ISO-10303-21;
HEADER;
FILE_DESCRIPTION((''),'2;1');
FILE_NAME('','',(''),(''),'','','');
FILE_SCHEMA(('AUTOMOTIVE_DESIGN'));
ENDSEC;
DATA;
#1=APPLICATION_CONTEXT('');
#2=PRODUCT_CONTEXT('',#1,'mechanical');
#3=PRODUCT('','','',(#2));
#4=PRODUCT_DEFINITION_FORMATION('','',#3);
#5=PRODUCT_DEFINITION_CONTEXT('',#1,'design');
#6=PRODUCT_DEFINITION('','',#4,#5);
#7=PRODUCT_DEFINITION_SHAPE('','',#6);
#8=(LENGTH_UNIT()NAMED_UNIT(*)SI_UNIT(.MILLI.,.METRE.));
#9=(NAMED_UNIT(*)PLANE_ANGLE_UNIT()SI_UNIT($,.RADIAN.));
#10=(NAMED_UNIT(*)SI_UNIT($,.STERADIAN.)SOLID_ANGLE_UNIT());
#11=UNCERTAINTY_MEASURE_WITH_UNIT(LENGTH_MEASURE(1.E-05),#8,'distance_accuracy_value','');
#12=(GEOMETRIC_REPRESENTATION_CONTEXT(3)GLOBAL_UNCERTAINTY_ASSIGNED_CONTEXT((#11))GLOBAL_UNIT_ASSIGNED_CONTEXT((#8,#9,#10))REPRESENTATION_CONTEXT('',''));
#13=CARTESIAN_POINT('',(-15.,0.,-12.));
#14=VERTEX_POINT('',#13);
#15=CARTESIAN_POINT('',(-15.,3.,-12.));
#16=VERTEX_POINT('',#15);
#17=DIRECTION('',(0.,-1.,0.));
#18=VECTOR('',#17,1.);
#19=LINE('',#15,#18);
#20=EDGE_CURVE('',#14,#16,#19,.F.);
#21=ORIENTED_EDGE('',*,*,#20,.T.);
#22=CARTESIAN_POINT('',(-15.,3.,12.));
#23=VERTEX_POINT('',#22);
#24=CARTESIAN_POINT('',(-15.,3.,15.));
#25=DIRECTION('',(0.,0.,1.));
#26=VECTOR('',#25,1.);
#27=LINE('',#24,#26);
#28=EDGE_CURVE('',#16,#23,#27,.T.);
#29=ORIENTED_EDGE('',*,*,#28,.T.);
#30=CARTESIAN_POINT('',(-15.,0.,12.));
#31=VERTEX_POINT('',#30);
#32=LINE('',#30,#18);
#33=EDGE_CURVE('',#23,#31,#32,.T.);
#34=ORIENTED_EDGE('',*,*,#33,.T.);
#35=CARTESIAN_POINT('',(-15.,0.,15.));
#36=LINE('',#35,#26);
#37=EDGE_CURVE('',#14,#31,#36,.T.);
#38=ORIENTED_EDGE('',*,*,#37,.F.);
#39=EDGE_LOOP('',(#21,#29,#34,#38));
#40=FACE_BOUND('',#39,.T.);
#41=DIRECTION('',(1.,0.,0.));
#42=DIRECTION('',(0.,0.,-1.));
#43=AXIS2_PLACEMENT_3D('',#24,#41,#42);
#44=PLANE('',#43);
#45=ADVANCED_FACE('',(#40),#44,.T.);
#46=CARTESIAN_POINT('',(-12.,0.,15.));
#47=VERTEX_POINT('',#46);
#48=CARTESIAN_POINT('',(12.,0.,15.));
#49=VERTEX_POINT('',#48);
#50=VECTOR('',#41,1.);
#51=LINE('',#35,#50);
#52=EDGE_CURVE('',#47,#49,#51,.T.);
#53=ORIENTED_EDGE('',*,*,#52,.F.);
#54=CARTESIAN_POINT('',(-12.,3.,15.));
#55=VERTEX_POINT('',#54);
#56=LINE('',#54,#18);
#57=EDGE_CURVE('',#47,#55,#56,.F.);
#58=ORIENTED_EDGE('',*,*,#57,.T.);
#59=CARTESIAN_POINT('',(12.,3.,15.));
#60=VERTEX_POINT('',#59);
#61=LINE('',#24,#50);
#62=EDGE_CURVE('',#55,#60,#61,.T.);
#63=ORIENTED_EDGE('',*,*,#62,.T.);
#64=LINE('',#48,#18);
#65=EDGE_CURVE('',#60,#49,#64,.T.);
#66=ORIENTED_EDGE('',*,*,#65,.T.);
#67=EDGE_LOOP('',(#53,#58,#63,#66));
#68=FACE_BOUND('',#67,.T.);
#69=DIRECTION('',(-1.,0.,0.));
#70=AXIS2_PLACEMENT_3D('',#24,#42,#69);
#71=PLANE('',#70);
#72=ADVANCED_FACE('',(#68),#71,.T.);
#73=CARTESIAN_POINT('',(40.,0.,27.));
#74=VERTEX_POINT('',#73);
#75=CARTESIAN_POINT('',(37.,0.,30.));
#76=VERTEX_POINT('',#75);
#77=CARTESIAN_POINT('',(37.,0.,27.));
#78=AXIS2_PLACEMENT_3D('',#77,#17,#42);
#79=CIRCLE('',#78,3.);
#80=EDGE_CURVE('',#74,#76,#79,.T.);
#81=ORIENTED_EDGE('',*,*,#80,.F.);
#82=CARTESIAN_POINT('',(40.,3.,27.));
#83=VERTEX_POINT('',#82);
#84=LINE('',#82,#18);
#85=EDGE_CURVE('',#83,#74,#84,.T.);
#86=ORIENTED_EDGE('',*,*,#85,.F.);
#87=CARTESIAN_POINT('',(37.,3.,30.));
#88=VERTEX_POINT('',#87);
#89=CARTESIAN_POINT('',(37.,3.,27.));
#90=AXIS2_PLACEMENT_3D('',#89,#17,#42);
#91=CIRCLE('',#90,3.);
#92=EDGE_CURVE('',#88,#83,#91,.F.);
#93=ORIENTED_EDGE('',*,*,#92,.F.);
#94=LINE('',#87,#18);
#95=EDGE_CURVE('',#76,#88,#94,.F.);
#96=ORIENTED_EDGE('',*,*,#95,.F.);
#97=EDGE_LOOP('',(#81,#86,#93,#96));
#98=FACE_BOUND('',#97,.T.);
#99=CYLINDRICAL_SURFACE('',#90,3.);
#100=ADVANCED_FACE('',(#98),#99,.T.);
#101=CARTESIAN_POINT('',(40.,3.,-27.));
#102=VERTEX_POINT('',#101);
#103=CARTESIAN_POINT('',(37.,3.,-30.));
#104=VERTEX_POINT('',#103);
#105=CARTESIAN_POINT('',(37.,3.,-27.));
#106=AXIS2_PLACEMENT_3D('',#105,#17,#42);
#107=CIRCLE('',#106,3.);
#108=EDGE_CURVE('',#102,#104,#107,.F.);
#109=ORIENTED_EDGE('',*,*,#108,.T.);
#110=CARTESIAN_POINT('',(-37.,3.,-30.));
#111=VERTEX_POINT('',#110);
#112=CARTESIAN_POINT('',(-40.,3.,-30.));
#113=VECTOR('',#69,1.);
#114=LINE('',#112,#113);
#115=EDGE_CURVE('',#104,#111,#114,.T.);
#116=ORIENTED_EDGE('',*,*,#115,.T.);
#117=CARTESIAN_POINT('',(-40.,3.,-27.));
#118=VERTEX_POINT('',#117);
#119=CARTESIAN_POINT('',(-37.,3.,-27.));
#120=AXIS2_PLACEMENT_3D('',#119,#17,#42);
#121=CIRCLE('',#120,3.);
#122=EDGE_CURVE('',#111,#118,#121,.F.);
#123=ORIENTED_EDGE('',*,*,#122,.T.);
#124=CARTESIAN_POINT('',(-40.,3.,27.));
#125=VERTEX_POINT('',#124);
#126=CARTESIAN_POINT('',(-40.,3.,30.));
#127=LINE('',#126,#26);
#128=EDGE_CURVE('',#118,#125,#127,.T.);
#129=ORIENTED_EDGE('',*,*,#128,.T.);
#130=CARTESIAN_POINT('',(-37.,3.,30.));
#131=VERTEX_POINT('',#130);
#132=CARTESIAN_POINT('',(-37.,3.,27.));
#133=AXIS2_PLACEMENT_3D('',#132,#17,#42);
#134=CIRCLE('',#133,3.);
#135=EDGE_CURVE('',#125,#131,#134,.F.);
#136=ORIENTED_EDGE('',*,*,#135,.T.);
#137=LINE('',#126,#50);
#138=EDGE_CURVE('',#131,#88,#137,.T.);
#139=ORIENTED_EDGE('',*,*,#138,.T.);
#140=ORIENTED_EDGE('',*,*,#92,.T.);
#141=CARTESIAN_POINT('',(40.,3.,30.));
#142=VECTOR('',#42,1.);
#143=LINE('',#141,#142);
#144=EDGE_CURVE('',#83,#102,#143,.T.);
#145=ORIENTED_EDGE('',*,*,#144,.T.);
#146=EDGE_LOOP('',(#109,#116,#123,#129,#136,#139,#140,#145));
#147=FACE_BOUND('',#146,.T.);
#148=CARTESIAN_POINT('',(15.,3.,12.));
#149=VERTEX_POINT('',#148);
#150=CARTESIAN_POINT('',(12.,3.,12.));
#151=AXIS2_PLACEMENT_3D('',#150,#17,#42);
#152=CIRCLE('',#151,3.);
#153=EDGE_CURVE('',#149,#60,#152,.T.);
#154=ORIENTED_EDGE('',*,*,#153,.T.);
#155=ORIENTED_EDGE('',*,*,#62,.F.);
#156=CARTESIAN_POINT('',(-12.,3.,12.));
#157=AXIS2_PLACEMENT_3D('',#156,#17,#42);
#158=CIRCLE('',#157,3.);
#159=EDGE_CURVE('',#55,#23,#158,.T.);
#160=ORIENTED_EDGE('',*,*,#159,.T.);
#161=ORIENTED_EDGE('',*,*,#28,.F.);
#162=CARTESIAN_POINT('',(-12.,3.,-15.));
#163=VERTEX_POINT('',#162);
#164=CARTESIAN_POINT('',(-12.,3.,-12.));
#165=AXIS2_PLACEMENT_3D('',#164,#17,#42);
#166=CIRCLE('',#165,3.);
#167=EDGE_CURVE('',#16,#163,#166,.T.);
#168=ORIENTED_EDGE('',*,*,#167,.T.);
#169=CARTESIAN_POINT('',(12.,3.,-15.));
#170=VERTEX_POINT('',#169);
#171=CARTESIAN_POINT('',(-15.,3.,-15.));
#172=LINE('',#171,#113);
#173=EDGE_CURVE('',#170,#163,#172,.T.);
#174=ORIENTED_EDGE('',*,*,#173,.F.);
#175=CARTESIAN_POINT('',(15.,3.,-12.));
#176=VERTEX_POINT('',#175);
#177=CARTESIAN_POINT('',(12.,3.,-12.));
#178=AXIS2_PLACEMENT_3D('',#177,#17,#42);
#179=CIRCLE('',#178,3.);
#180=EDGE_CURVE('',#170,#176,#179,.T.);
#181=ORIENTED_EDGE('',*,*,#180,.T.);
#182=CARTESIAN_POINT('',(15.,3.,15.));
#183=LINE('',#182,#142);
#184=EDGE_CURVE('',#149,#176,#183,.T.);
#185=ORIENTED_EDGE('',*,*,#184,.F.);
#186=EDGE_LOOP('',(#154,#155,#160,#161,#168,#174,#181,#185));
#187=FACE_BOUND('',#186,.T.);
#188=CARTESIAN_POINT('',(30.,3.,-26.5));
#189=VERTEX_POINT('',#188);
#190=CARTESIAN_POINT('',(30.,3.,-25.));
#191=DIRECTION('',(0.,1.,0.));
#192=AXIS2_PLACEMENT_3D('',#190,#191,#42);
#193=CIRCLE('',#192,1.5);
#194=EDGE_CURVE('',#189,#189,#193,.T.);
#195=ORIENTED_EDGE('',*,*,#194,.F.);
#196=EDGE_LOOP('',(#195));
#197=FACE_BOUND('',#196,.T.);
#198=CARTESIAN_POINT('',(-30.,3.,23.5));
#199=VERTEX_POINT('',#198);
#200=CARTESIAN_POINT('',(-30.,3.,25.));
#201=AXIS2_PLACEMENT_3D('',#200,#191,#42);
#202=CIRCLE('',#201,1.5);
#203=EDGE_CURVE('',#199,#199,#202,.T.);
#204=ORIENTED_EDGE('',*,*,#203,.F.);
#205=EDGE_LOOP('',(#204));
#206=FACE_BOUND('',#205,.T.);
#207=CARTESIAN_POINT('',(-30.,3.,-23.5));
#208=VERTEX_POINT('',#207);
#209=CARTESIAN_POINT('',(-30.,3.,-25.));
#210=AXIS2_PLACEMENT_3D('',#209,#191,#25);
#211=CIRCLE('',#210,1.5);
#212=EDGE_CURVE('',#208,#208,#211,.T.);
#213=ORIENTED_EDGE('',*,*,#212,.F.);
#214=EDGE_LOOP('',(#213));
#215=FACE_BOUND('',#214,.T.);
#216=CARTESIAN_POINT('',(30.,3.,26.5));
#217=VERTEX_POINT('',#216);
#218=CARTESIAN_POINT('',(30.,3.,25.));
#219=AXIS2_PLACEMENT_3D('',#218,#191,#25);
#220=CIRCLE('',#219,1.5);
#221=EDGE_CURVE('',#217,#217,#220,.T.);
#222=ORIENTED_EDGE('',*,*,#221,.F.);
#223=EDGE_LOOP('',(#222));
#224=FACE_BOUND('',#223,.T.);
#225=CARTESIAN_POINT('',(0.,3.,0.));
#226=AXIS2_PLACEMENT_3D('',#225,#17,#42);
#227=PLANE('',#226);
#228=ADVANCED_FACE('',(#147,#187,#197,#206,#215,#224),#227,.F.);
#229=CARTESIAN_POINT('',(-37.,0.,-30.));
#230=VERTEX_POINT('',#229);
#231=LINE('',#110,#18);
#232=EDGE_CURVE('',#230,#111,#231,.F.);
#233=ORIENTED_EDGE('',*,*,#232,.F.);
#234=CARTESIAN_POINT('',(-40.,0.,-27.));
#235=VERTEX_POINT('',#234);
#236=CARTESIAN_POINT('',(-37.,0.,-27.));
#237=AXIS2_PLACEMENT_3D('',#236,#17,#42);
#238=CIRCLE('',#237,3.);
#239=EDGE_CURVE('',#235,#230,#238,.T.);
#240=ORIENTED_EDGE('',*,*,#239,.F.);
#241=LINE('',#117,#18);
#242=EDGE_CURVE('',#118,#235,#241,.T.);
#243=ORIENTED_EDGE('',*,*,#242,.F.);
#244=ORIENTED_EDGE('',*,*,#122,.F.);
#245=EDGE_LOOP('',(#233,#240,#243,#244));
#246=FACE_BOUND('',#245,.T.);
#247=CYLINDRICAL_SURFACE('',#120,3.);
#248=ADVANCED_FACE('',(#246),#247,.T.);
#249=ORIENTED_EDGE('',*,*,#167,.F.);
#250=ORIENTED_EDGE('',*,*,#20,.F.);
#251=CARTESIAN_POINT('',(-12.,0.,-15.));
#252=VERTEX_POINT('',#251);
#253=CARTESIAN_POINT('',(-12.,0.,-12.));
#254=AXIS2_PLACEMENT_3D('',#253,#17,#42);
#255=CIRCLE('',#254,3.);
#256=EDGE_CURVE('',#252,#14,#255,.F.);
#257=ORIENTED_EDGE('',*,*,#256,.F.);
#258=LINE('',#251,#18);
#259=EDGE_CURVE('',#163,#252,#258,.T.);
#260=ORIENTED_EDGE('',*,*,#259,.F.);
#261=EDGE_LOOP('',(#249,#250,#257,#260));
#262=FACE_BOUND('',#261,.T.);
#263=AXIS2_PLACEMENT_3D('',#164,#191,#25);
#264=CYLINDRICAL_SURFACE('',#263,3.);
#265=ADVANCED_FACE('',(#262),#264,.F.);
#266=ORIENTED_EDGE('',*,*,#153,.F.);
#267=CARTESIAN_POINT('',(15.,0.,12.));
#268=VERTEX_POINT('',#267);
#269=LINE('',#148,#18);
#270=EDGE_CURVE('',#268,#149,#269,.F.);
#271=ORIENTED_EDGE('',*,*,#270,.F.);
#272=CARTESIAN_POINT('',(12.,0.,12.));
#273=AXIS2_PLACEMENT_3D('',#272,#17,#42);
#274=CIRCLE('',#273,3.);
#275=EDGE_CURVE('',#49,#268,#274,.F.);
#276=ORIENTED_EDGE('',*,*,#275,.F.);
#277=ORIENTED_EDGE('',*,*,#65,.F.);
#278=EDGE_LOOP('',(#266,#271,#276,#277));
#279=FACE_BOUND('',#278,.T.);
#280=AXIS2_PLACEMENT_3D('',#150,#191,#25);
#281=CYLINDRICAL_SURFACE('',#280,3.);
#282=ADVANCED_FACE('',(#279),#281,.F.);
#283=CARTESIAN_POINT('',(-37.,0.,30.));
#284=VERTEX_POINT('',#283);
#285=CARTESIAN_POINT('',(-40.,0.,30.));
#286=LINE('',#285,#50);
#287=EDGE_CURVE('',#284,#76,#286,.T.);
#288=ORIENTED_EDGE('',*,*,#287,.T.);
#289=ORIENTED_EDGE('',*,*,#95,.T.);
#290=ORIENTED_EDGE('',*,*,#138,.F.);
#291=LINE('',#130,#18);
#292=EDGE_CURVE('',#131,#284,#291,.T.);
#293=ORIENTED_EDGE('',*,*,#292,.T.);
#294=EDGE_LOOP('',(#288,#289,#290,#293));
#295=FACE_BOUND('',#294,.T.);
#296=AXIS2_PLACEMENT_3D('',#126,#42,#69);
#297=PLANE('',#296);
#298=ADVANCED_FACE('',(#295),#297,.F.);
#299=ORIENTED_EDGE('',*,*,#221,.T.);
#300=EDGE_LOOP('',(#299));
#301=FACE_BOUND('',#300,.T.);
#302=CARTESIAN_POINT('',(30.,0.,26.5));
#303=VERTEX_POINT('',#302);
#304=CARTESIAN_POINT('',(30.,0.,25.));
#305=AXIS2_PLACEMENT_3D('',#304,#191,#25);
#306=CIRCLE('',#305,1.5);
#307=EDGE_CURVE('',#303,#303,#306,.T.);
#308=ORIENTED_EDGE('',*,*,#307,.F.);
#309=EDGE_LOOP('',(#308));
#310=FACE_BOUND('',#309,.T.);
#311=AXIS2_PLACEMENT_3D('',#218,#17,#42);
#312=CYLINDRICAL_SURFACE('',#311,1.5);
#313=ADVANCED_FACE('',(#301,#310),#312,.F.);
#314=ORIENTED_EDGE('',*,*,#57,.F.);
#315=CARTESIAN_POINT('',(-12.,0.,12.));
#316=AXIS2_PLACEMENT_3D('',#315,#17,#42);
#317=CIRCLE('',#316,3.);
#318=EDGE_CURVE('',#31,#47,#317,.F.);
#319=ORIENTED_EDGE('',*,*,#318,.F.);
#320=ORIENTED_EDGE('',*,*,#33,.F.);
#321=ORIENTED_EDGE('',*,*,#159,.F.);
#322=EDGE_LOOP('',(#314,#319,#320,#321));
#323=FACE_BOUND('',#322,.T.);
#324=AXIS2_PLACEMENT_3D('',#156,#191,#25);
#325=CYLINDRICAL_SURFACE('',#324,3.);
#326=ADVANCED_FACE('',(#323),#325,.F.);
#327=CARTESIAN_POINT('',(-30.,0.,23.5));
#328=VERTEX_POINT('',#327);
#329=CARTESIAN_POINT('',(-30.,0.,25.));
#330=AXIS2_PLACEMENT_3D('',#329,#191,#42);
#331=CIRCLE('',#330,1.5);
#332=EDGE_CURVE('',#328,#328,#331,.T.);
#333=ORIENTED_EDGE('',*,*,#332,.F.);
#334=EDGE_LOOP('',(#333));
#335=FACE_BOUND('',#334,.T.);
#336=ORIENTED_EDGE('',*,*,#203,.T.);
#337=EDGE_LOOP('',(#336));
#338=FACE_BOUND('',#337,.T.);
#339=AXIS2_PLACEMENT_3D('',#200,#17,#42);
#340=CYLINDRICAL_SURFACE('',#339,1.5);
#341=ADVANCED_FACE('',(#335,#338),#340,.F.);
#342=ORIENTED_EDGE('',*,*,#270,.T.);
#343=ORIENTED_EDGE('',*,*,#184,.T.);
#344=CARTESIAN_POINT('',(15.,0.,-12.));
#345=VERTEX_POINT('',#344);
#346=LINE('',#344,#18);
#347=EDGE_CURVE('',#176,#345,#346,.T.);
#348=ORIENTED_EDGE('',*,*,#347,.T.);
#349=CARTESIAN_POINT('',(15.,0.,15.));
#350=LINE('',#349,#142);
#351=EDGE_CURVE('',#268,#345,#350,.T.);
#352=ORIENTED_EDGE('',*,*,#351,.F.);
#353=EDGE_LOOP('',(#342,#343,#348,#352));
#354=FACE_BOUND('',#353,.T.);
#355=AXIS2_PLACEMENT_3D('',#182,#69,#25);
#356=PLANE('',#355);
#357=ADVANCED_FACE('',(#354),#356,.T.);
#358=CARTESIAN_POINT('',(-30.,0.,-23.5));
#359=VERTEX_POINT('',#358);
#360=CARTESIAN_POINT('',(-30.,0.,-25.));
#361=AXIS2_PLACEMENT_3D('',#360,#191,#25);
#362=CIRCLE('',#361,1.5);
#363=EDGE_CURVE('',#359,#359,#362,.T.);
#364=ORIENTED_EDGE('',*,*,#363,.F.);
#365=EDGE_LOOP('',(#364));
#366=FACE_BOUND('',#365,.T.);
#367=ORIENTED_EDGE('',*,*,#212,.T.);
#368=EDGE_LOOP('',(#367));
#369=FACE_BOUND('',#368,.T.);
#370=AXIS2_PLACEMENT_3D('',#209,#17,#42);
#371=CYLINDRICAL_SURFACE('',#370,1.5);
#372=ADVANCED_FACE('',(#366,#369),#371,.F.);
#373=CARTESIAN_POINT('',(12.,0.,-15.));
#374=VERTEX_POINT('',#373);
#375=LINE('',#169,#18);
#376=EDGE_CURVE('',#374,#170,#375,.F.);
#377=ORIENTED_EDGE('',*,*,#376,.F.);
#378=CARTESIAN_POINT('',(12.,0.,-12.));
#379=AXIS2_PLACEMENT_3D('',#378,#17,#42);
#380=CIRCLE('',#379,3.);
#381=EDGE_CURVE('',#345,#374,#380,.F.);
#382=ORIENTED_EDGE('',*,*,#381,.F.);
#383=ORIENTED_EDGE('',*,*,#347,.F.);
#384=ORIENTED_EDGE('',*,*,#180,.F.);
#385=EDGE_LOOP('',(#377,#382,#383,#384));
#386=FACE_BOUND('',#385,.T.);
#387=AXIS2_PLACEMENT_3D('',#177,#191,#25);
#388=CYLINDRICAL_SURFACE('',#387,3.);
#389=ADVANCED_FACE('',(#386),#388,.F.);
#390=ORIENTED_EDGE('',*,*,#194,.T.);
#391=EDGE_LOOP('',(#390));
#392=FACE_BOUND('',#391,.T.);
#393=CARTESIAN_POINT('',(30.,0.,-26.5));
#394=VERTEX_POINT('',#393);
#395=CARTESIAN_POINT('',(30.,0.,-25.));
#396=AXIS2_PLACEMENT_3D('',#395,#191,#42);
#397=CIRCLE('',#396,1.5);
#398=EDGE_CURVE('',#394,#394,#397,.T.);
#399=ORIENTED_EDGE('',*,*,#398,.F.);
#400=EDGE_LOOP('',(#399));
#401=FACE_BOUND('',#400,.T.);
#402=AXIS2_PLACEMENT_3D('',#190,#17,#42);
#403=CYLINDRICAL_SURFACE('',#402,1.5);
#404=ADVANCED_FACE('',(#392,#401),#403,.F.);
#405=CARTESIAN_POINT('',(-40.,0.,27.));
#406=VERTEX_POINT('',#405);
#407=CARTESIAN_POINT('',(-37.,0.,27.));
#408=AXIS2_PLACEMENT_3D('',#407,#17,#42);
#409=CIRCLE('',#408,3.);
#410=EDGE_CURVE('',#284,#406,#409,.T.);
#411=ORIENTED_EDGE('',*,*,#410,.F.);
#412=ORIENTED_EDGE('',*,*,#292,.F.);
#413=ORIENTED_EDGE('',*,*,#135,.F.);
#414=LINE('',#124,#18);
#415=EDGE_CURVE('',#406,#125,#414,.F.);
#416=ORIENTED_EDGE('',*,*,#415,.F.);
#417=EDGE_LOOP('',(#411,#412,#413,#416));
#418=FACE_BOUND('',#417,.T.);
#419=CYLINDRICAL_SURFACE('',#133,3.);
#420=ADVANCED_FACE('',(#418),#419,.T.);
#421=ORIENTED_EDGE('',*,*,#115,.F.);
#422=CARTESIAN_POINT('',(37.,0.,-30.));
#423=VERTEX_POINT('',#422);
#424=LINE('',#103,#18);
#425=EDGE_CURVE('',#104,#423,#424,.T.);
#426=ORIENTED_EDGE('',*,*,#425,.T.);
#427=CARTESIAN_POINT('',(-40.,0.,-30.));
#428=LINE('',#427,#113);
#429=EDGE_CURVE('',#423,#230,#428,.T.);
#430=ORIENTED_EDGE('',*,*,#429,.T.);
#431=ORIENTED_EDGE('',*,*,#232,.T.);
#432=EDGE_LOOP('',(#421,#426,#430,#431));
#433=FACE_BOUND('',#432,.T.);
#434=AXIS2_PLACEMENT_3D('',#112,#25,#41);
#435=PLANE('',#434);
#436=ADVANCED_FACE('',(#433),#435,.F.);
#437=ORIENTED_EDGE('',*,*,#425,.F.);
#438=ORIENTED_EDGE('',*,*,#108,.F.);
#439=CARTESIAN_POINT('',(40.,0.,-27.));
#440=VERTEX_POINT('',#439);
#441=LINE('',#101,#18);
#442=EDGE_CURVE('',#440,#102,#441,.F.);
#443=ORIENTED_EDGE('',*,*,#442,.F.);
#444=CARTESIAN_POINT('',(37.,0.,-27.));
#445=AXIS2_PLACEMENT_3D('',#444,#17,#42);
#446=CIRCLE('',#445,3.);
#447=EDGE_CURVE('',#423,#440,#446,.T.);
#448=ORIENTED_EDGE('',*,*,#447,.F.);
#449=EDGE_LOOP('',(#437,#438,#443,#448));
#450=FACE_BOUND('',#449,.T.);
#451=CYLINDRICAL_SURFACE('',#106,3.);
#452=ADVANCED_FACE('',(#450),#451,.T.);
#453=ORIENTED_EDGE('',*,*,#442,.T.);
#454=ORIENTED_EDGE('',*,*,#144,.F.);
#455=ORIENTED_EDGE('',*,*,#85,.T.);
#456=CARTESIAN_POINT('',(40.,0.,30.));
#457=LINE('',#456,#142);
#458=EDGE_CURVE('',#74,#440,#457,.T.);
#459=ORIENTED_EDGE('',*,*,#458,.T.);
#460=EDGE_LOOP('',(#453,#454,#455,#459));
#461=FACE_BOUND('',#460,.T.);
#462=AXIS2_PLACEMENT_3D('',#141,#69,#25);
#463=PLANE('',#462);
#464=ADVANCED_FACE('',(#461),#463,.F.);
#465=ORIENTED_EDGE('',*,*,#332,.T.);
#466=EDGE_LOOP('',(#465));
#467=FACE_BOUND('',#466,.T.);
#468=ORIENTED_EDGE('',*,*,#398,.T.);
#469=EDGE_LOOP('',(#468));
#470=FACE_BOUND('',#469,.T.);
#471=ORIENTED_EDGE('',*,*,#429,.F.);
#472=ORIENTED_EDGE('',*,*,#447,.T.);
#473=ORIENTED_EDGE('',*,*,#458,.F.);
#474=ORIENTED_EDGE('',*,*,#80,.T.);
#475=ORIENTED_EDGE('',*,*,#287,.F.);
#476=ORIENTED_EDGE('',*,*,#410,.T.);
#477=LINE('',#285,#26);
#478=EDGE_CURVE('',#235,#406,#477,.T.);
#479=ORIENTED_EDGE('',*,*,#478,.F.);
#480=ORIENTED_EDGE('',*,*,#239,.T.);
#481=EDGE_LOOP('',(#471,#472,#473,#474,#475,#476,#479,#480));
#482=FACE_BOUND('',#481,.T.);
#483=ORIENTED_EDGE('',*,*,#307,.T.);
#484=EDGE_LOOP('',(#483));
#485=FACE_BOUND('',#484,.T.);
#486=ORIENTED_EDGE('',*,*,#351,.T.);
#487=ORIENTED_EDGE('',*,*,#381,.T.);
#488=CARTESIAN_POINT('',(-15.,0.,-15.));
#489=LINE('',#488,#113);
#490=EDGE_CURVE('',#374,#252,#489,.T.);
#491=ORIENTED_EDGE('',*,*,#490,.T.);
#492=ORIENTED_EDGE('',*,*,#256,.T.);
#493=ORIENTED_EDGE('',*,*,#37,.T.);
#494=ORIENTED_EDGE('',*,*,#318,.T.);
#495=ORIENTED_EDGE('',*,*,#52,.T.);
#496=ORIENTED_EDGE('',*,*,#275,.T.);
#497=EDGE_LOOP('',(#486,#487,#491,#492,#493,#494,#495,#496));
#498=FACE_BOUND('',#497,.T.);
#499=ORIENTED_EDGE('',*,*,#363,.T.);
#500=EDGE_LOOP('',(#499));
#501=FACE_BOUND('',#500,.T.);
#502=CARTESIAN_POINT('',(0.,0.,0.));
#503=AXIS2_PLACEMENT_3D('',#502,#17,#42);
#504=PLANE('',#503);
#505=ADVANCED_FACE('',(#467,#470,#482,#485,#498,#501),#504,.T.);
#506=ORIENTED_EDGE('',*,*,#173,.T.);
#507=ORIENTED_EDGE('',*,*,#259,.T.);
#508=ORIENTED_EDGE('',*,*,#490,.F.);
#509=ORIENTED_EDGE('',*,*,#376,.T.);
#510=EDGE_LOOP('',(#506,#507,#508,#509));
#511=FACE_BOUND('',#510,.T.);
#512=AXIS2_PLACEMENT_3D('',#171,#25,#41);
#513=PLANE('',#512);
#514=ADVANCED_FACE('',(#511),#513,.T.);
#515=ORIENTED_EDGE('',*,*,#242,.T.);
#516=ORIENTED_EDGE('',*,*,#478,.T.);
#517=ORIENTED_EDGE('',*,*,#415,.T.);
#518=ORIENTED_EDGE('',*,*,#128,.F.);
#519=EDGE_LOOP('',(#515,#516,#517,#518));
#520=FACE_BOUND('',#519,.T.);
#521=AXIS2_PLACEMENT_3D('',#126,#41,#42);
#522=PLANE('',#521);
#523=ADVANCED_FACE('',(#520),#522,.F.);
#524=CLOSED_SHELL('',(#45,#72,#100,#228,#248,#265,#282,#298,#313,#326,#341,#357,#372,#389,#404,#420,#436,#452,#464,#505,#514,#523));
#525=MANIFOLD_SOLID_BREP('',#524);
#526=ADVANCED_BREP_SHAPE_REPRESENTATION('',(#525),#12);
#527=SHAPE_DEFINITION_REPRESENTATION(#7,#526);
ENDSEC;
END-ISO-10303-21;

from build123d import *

# Parameters (mm, degrees)
SKETCH_1_W      = 80
SKETCH_1_H      = 60
SKETCH_1_R      = 1.5
SKETCH_1_W_2    = 30
SKETCH_1_H_2    = 30
EXTRUDE_1_DEPTH = 3
FILLET_1_R      = 3
FILLET_2_R      = 3


with BuildPart() as part:
    # 草图1 → 凸台-拉伸1 (new body)
    with BuildSketch(Plane(origin=(0, 0, 0), x_dir=(1, 0, 0), z_dir=(0, 1, 0))):
        Rectangle(SKETCH_1_W, SKETCH_1_H)
        with Locations(Location((-30, 25, 0), (0, 0, 270))):
            Circle(SKETCH_1_R, mode=Mode.SUBTRACT)
        with Locations(Location((30, 25, 0), (0, 0, 90))):
            Circle(SKETCH_1_R, mode=Mode.SUBTRACT)
        with Locations(Location((30, -25, 0), (0, 0, 270))):
            Circle(SKETCH_1_R, mode=Mode.SUBTRACT)
        with Locations(Location((-30, -25, 0), (0, 0, 90))):
            Circle(SKETCH_1_R, mode=Mode.SUBTRACT)
        Rectangle(SKETCH_1_W_2, SKETCH_1_H_2, mode=Mode.SUBTRACT)
    extrude(amount=EXTRUDE_1_DEPTH)

    # 圆角1
    fillet_1_edges = [part.edges().sort_by_distance(p)[0] for p in [
        (40, 1.5, 30),
        (-40, 1.5, 30),
        (-40, 1.5, -30),
        (40, 1.5, -30),
    ]]
    fillet(fillet_1_edges, radius=FILLET_1_R)

    # 圆角2
    fillet_2_edges = [part.edges().sort_by_distance(p)[0] for p in [
        (15, 1.5, 15),
        (15, 1.5, -15),
        (-15, 1.5, -15),
        (-15, 1.5, 15),
    ]]
    fillet(fillet_2_edges, radius=FILLET_2_R)


solid = part.part
